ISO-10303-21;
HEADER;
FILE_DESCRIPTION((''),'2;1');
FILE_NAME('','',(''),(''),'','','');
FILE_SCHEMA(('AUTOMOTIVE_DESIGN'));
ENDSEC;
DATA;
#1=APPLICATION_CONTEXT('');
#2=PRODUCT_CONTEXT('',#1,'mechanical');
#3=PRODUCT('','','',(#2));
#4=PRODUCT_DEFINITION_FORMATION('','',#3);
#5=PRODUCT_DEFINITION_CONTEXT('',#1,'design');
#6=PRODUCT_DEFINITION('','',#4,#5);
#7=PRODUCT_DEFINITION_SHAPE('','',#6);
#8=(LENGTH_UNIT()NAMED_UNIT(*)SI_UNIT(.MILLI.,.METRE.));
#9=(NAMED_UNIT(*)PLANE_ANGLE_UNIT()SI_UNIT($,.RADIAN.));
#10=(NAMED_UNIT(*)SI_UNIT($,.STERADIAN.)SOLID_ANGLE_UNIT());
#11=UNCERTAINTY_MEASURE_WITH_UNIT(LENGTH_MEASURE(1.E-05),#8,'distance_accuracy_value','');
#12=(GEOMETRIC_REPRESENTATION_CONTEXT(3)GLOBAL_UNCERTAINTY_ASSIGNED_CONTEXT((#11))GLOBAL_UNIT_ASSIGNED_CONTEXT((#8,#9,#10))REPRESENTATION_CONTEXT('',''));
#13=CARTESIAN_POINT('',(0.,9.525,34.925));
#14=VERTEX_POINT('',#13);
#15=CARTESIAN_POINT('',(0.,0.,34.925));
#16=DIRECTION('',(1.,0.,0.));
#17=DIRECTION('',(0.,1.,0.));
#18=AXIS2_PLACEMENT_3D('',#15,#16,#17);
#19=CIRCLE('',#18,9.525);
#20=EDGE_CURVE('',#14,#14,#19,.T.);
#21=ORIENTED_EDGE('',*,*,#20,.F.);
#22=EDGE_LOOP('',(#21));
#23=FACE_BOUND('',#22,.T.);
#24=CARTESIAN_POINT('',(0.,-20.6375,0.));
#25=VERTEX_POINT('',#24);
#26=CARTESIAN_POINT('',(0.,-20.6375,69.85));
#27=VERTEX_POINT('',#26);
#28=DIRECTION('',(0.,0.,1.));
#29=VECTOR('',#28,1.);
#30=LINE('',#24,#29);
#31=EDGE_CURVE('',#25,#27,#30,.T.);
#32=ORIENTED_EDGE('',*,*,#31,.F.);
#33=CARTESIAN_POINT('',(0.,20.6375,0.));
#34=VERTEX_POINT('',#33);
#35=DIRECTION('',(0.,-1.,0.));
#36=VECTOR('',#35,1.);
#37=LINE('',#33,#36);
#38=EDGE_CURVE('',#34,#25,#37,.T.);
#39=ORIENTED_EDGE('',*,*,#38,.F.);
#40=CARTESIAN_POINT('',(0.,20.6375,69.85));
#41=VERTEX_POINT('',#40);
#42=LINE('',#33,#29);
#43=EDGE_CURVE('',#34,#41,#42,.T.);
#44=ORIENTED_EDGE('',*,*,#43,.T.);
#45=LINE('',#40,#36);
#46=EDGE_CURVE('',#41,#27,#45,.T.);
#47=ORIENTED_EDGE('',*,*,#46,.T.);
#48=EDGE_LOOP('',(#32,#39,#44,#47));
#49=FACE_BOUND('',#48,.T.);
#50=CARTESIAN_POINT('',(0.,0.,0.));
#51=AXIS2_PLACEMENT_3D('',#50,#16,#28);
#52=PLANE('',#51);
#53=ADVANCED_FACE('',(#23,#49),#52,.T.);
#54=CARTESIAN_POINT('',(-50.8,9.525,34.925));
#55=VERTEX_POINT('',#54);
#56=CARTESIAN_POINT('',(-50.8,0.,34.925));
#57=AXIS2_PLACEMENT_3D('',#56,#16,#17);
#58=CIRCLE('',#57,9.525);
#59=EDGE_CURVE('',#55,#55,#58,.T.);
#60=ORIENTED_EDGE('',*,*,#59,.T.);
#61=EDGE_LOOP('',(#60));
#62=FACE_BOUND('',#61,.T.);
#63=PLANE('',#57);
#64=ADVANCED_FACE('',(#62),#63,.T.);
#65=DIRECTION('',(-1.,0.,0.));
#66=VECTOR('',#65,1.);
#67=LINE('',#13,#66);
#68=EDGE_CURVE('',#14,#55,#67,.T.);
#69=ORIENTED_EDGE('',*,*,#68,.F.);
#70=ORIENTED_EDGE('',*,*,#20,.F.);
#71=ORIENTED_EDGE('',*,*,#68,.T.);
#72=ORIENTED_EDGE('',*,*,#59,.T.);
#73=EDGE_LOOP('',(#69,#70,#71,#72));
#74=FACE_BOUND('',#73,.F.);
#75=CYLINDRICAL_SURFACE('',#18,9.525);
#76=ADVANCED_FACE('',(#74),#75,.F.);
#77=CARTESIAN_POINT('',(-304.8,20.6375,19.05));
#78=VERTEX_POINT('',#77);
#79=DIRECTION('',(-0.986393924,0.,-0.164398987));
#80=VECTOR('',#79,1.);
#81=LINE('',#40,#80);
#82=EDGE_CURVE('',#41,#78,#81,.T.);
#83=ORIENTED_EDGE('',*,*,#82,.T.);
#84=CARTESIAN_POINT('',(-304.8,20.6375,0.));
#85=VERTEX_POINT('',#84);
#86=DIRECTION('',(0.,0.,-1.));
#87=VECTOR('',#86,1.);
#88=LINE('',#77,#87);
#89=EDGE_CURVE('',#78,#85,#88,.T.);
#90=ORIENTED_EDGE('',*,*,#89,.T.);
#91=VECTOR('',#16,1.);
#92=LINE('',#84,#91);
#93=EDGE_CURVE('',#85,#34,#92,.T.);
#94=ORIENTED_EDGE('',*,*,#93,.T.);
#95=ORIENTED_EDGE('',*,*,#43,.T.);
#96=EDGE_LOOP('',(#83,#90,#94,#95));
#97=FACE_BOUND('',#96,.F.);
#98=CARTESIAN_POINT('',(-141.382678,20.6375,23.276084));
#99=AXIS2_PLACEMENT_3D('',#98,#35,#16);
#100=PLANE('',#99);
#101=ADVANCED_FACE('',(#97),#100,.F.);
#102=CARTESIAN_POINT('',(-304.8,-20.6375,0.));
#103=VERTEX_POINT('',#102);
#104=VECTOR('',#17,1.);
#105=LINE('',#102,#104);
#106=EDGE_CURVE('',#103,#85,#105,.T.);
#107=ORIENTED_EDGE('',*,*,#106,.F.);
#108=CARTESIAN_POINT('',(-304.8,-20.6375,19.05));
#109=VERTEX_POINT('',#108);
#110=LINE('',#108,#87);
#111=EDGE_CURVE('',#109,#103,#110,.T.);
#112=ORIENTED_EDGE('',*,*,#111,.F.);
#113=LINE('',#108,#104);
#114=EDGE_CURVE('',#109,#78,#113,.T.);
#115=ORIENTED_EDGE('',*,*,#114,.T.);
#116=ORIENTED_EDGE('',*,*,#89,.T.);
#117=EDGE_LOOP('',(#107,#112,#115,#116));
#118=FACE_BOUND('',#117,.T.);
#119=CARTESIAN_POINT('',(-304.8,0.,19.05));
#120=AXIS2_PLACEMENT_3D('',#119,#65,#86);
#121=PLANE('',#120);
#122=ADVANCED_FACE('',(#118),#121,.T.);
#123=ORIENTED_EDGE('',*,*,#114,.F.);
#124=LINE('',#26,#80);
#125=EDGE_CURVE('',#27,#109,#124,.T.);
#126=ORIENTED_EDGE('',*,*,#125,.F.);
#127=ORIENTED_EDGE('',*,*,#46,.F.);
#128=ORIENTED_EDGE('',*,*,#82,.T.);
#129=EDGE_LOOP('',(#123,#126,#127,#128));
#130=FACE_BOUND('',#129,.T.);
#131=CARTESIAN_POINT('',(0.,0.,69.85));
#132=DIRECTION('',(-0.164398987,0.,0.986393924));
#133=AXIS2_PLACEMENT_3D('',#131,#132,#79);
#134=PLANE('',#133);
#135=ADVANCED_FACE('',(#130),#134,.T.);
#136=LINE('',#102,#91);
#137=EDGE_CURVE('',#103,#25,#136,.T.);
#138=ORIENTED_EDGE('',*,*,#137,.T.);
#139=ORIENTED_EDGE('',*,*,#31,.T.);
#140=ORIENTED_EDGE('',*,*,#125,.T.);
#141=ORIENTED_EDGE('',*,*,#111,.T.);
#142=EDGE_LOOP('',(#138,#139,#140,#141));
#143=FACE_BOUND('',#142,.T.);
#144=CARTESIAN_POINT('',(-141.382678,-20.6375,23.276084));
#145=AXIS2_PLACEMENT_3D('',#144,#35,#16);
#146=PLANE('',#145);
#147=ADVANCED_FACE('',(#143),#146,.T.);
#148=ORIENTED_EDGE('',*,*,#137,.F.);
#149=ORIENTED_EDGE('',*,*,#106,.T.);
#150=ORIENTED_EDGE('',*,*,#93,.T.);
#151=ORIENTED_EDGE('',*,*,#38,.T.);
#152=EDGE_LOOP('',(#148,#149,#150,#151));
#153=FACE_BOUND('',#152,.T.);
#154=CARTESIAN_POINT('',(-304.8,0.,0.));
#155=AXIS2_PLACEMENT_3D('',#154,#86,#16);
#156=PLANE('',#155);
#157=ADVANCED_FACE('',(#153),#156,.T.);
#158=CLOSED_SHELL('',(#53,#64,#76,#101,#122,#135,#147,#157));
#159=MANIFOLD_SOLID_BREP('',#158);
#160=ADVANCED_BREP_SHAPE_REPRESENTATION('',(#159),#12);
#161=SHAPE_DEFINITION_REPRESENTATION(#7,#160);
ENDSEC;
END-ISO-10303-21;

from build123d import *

# Parameters (mm, degrees)
F2_DEPTH = 20.6375
F1_R     = 9.525
F3_DEPTH = 50.8


with BuildPart() as f2:
    # F0 (on Front) → F2 (new body, symmetric)
    with BuildSketch(Plane.XZ):
        Polygon((-304.8, 0), (0, 0), (0, 69.85), (-304.8, 19.05), align=None)
    extrude(amount=F2_DEPTH, both=True)

    # F1 (on Right) → F3 (cut)
    with BuildSketch(Plane.YZ):
        with Locations((0, 34.925)):
            Circle(F1_R)
    extrude(amount=-F3_DEPTH, mode=Mode.SUBTRACT)


solid = f2.part
